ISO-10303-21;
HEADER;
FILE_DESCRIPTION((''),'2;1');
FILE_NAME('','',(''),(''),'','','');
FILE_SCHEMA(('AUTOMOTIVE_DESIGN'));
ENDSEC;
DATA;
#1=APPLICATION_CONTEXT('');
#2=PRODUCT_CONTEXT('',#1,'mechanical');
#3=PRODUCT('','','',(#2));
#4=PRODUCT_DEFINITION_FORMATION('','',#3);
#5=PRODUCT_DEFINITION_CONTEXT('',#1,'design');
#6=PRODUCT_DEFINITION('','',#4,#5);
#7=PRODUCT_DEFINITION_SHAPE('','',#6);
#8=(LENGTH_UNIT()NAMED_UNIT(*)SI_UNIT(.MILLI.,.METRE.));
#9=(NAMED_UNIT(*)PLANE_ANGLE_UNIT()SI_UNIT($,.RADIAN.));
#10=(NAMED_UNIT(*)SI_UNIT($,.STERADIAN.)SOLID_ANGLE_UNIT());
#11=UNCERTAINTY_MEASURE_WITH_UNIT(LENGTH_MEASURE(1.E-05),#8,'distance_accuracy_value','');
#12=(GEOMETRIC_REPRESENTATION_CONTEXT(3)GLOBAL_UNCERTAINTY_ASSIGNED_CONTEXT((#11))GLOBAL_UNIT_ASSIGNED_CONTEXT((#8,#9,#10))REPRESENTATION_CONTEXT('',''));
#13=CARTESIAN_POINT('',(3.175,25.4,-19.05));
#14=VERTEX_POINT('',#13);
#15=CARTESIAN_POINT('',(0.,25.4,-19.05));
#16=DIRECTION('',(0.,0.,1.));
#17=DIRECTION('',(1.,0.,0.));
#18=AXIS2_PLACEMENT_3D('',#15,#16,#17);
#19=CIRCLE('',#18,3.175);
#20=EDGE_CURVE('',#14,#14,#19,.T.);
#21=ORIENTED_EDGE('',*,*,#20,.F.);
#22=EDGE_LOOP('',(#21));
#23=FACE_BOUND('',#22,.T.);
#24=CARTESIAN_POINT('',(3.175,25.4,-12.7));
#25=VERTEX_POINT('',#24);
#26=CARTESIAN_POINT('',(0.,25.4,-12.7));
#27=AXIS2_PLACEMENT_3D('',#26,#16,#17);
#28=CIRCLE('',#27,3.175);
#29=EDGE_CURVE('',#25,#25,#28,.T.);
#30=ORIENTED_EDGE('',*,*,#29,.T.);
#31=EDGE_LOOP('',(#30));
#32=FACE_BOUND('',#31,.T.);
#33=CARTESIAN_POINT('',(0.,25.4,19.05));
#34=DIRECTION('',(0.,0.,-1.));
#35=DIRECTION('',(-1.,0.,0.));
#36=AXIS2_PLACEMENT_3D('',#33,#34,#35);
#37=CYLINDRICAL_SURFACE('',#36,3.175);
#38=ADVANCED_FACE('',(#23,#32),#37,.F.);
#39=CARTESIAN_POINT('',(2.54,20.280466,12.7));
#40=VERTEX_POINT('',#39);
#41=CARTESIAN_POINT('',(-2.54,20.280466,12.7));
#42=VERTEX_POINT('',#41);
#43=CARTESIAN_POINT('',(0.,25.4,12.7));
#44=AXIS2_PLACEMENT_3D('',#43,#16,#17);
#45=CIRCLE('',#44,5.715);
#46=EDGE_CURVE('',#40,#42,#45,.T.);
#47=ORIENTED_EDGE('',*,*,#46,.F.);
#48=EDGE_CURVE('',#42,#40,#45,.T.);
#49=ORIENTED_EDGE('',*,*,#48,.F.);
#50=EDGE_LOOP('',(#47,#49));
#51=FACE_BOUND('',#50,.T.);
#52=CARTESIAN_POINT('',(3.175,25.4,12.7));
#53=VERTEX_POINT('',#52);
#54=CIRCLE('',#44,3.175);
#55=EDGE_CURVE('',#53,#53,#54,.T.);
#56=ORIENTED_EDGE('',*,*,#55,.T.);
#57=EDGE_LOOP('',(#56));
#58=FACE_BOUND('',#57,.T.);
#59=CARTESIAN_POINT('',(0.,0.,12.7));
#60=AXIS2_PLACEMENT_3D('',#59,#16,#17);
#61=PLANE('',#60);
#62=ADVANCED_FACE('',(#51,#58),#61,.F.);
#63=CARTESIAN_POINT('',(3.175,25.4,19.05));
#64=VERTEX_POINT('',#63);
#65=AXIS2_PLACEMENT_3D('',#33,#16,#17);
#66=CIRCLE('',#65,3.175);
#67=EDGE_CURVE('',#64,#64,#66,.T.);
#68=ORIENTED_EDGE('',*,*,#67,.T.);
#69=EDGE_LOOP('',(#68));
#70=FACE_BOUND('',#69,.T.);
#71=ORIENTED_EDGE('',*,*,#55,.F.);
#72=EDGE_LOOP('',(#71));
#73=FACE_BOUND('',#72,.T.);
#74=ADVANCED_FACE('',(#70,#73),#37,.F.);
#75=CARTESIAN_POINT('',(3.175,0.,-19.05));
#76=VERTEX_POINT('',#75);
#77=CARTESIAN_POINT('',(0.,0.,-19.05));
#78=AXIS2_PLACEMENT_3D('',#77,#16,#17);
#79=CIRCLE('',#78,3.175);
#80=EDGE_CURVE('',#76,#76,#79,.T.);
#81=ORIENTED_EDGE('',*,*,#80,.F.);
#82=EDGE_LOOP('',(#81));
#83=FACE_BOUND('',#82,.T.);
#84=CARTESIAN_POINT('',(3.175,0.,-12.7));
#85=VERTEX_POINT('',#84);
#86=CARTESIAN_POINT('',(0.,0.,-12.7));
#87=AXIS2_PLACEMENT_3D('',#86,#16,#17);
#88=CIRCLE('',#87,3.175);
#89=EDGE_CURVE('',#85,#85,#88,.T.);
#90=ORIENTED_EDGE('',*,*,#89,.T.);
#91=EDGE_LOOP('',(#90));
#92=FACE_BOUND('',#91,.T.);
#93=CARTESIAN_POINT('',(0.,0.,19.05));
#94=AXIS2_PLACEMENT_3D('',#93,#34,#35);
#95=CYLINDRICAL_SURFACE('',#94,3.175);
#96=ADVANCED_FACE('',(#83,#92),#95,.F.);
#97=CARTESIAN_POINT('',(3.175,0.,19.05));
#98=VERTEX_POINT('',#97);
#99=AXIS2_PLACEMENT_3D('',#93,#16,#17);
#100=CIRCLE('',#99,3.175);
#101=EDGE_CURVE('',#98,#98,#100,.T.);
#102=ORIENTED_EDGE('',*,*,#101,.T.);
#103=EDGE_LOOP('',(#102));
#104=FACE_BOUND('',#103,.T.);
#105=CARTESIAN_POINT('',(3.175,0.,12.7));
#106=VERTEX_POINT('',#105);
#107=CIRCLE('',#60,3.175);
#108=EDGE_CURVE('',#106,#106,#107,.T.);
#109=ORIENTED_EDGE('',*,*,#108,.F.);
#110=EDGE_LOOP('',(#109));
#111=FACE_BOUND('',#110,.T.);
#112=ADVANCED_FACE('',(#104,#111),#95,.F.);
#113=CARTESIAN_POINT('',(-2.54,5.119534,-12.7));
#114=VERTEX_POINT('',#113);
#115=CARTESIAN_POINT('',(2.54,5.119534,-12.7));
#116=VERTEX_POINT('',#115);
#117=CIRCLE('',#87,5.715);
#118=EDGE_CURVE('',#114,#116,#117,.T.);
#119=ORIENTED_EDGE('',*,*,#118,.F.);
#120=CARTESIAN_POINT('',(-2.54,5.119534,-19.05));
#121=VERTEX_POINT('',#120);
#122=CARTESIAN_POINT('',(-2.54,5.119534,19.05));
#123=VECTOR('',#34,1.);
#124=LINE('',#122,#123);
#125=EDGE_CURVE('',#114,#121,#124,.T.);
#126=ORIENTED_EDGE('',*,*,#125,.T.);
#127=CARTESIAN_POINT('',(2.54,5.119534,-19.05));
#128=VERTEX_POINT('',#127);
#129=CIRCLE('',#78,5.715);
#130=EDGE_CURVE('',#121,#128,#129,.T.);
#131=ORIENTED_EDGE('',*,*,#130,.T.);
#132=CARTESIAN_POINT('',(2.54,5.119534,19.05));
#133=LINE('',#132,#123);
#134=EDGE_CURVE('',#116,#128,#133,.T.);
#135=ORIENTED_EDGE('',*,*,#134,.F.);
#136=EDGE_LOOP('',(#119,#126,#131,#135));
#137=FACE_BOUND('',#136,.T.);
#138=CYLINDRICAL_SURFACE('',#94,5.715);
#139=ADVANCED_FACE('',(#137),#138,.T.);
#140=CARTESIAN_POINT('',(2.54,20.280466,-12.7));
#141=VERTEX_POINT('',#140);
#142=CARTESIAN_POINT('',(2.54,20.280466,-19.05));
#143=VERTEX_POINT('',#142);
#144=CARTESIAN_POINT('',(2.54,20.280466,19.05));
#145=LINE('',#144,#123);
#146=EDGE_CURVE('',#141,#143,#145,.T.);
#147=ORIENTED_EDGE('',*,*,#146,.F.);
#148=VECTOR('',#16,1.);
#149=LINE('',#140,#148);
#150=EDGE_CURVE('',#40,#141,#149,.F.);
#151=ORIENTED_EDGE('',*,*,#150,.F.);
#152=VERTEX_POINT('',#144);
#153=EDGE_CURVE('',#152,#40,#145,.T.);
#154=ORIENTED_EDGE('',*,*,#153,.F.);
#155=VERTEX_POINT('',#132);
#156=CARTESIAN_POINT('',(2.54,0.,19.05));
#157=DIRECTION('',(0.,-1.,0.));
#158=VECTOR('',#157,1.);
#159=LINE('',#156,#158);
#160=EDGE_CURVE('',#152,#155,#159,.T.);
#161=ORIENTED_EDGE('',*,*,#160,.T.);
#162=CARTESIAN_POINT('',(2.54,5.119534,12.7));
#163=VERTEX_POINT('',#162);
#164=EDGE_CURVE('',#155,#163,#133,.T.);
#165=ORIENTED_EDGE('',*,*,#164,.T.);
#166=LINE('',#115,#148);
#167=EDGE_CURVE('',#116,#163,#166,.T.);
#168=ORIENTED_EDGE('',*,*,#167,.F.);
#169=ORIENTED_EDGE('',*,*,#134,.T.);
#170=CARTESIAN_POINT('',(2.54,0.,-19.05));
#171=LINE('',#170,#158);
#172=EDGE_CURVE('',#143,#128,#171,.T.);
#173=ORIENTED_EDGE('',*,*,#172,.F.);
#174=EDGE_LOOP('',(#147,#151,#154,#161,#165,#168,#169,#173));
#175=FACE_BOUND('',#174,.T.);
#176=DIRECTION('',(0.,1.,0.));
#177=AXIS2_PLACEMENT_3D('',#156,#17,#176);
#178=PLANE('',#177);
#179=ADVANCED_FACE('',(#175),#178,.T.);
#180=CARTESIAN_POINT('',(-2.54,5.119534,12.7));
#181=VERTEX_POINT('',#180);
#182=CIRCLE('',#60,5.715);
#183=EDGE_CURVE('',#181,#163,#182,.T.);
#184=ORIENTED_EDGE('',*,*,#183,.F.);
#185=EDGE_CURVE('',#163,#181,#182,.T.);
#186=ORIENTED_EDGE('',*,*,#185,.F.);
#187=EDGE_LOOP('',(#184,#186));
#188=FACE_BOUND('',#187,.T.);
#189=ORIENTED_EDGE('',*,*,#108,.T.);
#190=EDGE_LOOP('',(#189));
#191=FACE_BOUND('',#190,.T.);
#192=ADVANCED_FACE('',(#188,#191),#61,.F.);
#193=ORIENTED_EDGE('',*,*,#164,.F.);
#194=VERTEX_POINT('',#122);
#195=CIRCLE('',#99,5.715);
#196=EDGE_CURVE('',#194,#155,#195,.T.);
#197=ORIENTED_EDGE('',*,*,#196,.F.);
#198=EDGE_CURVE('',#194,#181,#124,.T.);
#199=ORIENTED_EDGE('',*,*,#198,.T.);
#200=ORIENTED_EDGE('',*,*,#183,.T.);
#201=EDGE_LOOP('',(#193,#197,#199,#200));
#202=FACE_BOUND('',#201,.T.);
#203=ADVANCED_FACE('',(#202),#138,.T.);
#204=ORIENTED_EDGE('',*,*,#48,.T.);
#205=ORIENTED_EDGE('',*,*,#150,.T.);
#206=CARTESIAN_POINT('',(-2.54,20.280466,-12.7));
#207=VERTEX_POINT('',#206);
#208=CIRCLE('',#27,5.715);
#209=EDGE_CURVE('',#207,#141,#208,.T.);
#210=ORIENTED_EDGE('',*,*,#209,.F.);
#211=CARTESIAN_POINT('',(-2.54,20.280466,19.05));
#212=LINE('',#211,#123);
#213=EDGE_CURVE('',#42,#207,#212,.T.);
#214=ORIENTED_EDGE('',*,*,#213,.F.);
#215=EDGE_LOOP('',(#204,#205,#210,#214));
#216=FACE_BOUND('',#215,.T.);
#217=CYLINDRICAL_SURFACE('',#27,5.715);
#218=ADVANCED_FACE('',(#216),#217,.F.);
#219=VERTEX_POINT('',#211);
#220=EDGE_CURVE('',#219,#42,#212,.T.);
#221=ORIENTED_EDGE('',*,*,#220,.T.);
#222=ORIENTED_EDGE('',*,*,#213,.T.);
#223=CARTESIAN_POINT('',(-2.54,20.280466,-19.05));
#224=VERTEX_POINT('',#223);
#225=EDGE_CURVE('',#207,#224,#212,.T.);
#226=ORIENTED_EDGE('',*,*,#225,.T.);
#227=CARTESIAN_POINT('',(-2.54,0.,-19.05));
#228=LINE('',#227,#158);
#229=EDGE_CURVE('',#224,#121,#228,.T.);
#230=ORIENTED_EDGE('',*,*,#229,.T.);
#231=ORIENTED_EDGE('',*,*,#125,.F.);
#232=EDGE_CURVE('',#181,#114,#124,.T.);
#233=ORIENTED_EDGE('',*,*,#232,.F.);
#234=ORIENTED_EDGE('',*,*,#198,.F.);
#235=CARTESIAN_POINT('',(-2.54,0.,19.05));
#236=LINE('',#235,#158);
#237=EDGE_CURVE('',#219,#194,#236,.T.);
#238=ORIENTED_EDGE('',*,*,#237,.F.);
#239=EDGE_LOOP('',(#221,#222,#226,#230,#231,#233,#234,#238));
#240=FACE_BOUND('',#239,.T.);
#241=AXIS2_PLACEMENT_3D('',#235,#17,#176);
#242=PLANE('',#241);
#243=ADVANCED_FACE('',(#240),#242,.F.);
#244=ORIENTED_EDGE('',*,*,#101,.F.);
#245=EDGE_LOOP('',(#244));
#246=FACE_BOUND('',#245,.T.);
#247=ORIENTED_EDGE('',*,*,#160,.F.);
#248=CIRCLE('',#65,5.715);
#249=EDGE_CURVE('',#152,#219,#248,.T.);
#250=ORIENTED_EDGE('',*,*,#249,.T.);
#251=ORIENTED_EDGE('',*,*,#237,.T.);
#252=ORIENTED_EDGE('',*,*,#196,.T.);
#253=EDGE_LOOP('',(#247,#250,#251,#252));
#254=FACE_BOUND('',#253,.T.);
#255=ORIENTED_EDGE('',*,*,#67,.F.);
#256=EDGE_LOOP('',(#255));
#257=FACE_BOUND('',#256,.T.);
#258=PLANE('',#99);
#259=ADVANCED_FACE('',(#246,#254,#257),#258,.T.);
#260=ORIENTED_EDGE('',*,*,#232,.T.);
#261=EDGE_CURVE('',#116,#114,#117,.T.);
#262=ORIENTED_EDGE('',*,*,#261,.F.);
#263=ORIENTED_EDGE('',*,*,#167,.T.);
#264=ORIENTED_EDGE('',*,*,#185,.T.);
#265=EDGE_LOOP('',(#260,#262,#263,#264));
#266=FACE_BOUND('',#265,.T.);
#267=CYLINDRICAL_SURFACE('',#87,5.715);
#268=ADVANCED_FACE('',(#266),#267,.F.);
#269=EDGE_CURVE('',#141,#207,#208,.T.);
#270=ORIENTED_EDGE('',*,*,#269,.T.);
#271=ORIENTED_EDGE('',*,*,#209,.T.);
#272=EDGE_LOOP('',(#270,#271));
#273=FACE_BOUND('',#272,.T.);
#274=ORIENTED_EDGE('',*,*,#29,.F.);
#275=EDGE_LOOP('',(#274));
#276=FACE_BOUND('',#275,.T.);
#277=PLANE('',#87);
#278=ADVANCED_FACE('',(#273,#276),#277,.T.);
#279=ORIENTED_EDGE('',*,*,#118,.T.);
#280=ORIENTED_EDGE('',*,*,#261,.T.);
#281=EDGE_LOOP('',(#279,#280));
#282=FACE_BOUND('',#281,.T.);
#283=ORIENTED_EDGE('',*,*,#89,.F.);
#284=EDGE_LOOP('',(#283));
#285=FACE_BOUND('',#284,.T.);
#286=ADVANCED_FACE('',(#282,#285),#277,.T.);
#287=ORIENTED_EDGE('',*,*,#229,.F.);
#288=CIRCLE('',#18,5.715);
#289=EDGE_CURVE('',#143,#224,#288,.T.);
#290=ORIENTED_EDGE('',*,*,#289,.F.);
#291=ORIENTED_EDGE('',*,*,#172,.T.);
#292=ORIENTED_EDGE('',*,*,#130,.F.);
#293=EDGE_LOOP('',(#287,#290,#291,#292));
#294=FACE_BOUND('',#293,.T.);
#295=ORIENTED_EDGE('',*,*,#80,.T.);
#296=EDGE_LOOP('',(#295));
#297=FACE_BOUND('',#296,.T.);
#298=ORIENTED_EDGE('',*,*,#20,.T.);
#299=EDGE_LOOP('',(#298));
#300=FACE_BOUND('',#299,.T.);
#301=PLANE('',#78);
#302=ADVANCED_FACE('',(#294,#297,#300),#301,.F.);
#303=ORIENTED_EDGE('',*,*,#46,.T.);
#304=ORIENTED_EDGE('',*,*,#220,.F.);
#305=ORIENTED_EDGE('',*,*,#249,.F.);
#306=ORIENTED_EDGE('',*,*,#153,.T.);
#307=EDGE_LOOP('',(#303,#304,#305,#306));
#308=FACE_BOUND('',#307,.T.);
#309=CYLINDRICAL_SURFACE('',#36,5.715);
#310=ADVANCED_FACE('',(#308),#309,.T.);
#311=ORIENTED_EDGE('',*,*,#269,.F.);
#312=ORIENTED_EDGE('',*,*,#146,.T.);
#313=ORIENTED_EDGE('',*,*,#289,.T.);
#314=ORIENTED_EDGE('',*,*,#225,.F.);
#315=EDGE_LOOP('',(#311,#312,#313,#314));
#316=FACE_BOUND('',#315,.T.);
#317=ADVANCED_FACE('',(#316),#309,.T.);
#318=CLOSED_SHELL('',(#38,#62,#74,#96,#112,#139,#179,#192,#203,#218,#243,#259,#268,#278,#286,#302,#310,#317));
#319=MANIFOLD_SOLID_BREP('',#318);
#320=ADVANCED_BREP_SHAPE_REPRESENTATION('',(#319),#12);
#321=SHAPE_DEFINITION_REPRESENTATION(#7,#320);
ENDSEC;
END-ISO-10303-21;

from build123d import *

# Parameters (mm, degrees)
SKETCH1_R           = 3.175
BOSS_EXTRUDE1_DEPTH = 19.05
SKETCH1_3_R         = 5.715
SKETCH1_3_R_2       = 3.175
CUT_EXTRUDE2_DEPTH  = 12.7


with BuildPart() as part:
    # Sketch1 → Boss-Extrude1 (new, symmetric)
    with BuildSketch(Plane.XY):
        with BuildLine():
            Line((-2.54, 20.28046633), (-2.54, 5.11953367))
            ThreePointArc((-2.54, 5.11953367), (0, -5.715), (2.54, 5.11953367))
            Line((2.54, 5.11953367), (2.54, 20.28046633))
            ThreePointArc((2.54, 20.28046633), (0, 31.115), (-2.54, 20.28046633))
        make_face()
        with Locations((0, 25.4)):
            Circle(SKETCH1_R, mode=Mode.SUBTRACT)
        Circle(SKETCH1_R, mode=Mode.SUBTRACT)
    extrude(amount=BOSS_EXTRUDE1_DEPTH, both=True)

    # Sketch1<3> → Cut-Extrude2 (cut, symmetric)
    # profile 1 of 2: a face of its own
    with BuildSketch(Plane.XY):
        with Locations((0, 25.4)):
            Circle(SKETCH1_3_R)
        with Locations((0, 25.4)):
            Circle(SKETCH1_3_R_2, mode=Mode.SUBTRACT)
    # profile 2 of 2: a face of its own
    with BuildSketch(Plane.XY):
        Circle(SKETCH1_3_R)
        Circle(SKETCH1_3_R_2, mode=Mode.SUBTRACT)
    extrude(amount=CUT_EXTRUDE2_DEPTH, both=True, mode=Mode.SUBTRACT)


solid = part.part
